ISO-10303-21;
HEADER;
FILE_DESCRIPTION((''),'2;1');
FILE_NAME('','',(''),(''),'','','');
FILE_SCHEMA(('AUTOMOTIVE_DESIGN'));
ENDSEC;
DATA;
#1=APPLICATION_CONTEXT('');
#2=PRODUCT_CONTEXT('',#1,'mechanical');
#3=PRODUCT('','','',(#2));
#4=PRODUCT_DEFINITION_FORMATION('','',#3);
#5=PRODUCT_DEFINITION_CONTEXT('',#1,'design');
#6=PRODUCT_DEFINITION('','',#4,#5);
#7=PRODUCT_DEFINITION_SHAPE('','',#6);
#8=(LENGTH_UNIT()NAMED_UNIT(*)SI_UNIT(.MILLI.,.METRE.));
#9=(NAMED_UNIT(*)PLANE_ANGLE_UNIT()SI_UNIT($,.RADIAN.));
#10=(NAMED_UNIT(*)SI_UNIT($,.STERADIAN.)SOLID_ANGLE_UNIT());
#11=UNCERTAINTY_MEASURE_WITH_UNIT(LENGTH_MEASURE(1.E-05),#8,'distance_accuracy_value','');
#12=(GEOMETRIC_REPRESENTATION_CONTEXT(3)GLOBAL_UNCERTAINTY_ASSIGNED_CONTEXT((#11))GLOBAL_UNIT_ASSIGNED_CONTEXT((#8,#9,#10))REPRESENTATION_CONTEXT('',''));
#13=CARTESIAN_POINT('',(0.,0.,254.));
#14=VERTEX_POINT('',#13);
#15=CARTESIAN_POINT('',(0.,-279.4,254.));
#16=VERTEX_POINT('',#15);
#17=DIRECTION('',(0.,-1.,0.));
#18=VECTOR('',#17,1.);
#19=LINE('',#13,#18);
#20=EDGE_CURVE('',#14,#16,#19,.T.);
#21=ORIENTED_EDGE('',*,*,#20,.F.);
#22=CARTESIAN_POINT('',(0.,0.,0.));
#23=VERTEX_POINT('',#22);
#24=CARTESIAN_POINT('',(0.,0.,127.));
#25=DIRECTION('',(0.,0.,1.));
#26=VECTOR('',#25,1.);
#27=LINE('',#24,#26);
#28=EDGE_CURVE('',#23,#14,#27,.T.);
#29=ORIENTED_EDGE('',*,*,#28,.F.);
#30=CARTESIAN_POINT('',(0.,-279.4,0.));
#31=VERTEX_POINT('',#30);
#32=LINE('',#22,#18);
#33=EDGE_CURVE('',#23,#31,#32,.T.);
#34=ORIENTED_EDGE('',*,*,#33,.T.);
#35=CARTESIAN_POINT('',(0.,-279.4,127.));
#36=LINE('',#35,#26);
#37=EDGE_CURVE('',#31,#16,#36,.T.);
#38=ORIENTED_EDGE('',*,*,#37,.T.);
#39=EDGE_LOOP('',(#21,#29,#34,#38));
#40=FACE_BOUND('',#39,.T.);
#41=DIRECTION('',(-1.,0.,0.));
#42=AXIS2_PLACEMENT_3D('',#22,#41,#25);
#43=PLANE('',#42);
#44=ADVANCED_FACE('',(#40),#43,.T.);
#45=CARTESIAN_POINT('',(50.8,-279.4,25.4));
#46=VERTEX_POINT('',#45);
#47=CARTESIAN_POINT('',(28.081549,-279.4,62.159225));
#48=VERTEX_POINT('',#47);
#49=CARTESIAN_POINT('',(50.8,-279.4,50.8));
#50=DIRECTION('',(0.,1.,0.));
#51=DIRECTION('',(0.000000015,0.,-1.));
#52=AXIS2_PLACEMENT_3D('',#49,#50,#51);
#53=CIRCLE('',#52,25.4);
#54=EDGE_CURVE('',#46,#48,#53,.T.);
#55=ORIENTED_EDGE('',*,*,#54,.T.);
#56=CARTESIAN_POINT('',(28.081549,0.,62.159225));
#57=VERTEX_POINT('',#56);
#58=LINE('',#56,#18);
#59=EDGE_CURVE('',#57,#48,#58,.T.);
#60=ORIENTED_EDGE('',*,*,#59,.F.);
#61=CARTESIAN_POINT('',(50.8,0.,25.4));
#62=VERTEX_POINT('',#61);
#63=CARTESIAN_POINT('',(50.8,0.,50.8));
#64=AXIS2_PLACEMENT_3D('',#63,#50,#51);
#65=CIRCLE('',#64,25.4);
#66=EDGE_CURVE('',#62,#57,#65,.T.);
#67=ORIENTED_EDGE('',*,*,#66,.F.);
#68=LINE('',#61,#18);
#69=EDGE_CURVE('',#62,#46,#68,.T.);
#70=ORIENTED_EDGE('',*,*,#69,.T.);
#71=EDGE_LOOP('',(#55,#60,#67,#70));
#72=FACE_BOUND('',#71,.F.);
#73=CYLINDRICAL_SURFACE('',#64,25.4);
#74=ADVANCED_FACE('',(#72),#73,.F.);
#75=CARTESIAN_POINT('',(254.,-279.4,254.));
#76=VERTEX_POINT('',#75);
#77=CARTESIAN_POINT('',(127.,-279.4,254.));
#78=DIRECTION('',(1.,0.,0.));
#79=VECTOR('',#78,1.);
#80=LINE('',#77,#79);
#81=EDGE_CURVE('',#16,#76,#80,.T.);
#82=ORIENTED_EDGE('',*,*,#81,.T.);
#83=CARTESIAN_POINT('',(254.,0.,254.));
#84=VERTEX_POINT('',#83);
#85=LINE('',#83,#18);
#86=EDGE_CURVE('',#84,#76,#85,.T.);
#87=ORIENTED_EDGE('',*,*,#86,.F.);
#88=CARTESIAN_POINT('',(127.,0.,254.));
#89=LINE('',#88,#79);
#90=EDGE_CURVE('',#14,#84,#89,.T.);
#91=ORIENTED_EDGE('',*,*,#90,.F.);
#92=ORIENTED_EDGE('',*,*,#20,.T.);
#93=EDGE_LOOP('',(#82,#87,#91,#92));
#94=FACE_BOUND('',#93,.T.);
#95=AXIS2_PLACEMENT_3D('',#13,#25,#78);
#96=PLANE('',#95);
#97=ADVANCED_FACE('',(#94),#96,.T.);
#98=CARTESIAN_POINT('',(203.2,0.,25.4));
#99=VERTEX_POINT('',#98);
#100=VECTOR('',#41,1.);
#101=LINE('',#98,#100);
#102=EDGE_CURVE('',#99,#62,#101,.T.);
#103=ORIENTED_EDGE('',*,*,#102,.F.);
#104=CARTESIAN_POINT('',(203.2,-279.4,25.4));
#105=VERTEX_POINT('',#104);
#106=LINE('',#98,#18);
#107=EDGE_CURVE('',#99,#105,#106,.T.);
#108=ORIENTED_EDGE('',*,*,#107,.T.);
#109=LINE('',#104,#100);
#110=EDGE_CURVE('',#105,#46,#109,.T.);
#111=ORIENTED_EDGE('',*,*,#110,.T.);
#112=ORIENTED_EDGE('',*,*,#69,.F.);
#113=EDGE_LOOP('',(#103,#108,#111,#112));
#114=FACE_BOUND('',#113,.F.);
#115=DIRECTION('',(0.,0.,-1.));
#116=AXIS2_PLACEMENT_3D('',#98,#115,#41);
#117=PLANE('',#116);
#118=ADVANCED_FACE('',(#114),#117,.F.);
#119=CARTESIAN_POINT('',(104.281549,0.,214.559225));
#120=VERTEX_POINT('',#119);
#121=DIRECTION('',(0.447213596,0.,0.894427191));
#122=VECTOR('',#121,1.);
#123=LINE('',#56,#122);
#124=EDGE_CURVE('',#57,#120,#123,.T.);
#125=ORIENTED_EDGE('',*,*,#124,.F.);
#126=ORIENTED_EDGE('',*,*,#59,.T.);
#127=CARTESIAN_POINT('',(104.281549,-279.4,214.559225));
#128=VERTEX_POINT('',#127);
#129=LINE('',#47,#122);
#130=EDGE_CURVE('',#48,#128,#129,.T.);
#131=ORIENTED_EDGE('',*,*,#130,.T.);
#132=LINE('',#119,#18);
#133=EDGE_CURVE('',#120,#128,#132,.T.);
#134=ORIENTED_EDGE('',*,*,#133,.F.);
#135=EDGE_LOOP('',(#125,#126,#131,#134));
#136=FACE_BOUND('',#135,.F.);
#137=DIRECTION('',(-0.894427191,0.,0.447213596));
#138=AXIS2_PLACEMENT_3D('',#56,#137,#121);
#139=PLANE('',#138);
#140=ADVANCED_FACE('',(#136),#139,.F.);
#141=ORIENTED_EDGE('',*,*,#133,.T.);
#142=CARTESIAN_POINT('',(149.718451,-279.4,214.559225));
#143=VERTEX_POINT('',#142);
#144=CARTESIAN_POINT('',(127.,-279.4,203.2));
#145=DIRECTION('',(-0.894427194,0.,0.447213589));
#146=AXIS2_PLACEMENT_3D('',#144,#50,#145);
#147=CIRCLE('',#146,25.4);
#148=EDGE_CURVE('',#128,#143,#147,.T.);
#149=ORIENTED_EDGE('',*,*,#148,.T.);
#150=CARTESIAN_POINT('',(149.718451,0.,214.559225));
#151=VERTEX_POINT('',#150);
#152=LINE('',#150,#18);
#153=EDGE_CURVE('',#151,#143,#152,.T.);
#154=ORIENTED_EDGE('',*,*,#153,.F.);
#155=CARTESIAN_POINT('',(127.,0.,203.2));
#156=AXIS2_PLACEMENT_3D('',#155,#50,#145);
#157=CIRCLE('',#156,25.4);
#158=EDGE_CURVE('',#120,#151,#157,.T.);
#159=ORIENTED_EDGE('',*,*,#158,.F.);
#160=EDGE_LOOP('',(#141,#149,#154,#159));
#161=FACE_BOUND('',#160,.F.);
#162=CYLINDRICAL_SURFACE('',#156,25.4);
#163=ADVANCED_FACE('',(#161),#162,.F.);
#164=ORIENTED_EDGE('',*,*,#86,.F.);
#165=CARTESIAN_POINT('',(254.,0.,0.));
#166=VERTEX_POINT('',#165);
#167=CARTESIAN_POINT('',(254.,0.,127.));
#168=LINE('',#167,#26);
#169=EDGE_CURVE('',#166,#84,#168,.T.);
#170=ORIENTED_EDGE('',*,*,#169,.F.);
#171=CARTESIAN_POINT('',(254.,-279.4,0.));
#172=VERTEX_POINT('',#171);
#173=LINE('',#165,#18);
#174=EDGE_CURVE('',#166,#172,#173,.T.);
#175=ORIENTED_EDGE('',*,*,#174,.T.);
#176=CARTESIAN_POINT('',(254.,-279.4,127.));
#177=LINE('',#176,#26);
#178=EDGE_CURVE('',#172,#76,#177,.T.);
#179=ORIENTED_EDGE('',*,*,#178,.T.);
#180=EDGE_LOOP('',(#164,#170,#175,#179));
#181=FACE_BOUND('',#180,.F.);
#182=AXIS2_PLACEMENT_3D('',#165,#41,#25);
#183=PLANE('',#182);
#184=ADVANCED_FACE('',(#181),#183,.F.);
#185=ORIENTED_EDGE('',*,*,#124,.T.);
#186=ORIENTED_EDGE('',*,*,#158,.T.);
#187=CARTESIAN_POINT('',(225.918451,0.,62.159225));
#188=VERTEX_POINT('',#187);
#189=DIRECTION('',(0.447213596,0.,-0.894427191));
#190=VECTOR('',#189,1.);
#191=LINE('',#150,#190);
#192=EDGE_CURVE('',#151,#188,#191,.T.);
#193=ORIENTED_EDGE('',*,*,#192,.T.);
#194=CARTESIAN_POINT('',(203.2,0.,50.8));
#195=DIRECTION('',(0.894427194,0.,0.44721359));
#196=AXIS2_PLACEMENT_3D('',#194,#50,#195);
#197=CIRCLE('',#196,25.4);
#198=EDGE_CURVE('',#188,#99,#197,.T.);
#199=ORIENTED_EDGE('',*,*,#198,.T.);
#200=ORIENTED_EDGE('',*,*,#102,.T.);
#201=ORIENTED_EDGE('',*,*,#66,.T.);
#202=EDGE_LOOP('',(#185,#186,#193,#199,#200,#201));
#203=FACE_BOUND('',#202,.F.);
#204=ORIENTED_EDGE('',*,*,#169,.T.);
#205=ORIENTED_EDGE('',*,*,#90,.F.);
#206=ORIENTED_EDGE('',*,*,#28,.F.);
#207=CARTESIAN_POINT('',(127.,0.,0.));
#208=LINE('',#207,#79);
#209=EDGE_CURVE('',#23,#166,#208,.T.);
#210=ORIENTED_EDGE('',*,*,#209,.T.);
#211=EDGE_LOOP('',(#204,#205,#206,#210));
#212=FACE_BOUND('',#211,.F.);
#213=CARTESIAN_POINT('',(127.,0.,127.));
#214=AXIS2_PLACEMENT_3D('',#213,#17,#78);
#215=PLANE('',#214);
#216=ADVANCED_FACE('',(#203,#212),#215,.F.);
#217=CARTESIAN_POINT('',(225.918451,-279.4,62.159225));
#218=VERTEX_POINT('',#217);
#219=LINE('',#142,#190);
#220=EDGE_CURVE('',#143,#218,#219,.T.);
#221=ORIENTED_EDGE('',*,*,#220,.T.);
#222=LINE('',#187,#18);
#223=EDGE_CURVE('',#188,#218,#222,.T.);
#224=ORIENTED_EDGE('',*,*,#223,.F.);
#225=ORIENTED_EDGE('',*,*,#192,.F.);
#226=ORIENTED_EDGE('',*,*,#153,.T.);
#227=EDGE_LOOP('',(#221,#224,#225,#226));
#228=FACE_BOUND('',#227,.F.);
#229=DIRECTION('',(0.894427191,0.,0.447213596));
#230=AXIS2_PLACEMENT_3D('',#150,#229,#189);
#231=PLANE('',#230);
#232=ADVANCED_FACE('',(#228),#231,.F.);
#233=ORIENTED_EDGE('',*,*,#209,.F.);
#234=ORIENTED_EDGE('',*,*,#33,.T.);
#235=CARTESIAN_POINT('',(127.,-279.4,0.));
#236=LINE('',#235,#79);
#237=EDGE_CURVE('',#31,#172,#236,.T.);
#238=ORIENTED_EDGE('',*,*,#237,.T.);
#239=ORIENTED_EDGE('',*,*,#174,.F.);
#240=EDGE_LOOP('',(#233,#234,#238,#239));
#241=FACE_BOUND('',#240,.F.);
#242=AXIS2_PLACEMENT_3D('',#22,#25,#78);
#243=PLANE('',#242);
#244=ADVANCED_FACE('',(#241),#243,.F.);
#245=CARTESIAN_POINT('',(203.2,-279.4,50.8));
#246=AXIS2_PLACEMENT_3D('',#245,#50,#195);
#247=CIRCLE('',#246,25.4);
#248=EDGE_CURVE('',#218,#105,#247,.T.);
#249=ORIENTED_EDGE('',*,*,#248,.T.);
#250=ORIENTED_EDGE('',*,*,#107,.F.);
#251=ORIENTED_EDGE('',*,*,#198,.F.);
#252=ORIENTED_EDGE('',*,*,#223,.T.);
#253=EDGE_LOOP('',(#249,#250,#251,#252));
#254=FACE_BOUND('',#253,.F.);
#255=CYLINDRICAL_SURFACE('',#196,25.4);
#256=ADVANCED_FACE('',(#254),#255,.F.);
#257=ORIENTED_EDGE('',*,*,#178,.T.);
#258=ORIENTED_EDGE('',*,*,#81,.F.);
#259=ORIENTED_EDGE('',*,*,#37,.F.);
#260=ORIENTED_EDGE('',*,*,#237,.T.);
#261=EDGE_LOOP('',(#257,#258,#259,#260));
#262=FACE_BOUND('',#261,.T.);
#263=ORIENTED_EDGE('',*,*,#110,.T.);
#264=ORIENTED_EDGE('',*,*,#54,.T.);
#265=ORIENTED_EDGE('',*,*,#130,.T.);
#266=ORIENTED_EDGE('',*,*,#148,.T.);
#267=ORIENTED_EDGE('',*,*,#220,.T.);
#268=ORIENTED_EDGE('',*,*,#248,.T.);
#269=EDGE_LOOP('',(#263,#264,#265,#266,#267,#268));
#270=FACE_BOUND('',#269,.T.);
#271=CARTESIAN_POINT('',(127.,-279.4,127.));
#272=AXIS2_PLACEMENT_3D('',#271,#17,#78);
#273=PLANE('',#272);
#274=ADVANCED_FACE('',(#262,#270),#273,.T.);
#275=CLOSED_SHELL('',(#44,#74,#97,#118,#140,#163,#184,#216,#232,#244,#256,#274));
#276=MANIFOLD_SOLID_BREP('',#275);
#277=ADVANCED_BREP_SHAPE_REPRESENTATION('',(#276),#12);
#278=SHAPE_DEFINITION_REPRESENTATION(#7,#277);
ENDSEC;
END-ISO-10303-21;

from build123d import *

# Parameters (mm, degrees)
F0_W     = 254
F0_H     = 254
F1_DEPTH = 279.4


with BuildPart() as f1:
    # F0 (on Front) → F1 (new body)
    with BuildSketch(Plane.XZ):
        with Locations((127, 127)):
            Rectangle(F0_W, F0_H)
        with BuildLine():
            ThreePointArc((50.8, 25.4), (29.193469, 37.44643), (28.081549, 62.159225))
            Line((28.081549, 62.159225), (104.281549, 214.559225))
            ThreePointArc((104.281549, 214.559225), (127, 228.6), (149.718451, 214.559225))
            Line((149.718451, 214.559225), (225.918451, 62.159225))
            ThreePointArc((225.918451, 62.159225), (224.806531, 37.44643), (203.2, 25.4))
            Line((203.2, 25.4), (50.8, 25.4))
        make_face(mode=Mode.SUBTRACT)
    extrude(amount=F1_DEPTH)


solid = f1.part
